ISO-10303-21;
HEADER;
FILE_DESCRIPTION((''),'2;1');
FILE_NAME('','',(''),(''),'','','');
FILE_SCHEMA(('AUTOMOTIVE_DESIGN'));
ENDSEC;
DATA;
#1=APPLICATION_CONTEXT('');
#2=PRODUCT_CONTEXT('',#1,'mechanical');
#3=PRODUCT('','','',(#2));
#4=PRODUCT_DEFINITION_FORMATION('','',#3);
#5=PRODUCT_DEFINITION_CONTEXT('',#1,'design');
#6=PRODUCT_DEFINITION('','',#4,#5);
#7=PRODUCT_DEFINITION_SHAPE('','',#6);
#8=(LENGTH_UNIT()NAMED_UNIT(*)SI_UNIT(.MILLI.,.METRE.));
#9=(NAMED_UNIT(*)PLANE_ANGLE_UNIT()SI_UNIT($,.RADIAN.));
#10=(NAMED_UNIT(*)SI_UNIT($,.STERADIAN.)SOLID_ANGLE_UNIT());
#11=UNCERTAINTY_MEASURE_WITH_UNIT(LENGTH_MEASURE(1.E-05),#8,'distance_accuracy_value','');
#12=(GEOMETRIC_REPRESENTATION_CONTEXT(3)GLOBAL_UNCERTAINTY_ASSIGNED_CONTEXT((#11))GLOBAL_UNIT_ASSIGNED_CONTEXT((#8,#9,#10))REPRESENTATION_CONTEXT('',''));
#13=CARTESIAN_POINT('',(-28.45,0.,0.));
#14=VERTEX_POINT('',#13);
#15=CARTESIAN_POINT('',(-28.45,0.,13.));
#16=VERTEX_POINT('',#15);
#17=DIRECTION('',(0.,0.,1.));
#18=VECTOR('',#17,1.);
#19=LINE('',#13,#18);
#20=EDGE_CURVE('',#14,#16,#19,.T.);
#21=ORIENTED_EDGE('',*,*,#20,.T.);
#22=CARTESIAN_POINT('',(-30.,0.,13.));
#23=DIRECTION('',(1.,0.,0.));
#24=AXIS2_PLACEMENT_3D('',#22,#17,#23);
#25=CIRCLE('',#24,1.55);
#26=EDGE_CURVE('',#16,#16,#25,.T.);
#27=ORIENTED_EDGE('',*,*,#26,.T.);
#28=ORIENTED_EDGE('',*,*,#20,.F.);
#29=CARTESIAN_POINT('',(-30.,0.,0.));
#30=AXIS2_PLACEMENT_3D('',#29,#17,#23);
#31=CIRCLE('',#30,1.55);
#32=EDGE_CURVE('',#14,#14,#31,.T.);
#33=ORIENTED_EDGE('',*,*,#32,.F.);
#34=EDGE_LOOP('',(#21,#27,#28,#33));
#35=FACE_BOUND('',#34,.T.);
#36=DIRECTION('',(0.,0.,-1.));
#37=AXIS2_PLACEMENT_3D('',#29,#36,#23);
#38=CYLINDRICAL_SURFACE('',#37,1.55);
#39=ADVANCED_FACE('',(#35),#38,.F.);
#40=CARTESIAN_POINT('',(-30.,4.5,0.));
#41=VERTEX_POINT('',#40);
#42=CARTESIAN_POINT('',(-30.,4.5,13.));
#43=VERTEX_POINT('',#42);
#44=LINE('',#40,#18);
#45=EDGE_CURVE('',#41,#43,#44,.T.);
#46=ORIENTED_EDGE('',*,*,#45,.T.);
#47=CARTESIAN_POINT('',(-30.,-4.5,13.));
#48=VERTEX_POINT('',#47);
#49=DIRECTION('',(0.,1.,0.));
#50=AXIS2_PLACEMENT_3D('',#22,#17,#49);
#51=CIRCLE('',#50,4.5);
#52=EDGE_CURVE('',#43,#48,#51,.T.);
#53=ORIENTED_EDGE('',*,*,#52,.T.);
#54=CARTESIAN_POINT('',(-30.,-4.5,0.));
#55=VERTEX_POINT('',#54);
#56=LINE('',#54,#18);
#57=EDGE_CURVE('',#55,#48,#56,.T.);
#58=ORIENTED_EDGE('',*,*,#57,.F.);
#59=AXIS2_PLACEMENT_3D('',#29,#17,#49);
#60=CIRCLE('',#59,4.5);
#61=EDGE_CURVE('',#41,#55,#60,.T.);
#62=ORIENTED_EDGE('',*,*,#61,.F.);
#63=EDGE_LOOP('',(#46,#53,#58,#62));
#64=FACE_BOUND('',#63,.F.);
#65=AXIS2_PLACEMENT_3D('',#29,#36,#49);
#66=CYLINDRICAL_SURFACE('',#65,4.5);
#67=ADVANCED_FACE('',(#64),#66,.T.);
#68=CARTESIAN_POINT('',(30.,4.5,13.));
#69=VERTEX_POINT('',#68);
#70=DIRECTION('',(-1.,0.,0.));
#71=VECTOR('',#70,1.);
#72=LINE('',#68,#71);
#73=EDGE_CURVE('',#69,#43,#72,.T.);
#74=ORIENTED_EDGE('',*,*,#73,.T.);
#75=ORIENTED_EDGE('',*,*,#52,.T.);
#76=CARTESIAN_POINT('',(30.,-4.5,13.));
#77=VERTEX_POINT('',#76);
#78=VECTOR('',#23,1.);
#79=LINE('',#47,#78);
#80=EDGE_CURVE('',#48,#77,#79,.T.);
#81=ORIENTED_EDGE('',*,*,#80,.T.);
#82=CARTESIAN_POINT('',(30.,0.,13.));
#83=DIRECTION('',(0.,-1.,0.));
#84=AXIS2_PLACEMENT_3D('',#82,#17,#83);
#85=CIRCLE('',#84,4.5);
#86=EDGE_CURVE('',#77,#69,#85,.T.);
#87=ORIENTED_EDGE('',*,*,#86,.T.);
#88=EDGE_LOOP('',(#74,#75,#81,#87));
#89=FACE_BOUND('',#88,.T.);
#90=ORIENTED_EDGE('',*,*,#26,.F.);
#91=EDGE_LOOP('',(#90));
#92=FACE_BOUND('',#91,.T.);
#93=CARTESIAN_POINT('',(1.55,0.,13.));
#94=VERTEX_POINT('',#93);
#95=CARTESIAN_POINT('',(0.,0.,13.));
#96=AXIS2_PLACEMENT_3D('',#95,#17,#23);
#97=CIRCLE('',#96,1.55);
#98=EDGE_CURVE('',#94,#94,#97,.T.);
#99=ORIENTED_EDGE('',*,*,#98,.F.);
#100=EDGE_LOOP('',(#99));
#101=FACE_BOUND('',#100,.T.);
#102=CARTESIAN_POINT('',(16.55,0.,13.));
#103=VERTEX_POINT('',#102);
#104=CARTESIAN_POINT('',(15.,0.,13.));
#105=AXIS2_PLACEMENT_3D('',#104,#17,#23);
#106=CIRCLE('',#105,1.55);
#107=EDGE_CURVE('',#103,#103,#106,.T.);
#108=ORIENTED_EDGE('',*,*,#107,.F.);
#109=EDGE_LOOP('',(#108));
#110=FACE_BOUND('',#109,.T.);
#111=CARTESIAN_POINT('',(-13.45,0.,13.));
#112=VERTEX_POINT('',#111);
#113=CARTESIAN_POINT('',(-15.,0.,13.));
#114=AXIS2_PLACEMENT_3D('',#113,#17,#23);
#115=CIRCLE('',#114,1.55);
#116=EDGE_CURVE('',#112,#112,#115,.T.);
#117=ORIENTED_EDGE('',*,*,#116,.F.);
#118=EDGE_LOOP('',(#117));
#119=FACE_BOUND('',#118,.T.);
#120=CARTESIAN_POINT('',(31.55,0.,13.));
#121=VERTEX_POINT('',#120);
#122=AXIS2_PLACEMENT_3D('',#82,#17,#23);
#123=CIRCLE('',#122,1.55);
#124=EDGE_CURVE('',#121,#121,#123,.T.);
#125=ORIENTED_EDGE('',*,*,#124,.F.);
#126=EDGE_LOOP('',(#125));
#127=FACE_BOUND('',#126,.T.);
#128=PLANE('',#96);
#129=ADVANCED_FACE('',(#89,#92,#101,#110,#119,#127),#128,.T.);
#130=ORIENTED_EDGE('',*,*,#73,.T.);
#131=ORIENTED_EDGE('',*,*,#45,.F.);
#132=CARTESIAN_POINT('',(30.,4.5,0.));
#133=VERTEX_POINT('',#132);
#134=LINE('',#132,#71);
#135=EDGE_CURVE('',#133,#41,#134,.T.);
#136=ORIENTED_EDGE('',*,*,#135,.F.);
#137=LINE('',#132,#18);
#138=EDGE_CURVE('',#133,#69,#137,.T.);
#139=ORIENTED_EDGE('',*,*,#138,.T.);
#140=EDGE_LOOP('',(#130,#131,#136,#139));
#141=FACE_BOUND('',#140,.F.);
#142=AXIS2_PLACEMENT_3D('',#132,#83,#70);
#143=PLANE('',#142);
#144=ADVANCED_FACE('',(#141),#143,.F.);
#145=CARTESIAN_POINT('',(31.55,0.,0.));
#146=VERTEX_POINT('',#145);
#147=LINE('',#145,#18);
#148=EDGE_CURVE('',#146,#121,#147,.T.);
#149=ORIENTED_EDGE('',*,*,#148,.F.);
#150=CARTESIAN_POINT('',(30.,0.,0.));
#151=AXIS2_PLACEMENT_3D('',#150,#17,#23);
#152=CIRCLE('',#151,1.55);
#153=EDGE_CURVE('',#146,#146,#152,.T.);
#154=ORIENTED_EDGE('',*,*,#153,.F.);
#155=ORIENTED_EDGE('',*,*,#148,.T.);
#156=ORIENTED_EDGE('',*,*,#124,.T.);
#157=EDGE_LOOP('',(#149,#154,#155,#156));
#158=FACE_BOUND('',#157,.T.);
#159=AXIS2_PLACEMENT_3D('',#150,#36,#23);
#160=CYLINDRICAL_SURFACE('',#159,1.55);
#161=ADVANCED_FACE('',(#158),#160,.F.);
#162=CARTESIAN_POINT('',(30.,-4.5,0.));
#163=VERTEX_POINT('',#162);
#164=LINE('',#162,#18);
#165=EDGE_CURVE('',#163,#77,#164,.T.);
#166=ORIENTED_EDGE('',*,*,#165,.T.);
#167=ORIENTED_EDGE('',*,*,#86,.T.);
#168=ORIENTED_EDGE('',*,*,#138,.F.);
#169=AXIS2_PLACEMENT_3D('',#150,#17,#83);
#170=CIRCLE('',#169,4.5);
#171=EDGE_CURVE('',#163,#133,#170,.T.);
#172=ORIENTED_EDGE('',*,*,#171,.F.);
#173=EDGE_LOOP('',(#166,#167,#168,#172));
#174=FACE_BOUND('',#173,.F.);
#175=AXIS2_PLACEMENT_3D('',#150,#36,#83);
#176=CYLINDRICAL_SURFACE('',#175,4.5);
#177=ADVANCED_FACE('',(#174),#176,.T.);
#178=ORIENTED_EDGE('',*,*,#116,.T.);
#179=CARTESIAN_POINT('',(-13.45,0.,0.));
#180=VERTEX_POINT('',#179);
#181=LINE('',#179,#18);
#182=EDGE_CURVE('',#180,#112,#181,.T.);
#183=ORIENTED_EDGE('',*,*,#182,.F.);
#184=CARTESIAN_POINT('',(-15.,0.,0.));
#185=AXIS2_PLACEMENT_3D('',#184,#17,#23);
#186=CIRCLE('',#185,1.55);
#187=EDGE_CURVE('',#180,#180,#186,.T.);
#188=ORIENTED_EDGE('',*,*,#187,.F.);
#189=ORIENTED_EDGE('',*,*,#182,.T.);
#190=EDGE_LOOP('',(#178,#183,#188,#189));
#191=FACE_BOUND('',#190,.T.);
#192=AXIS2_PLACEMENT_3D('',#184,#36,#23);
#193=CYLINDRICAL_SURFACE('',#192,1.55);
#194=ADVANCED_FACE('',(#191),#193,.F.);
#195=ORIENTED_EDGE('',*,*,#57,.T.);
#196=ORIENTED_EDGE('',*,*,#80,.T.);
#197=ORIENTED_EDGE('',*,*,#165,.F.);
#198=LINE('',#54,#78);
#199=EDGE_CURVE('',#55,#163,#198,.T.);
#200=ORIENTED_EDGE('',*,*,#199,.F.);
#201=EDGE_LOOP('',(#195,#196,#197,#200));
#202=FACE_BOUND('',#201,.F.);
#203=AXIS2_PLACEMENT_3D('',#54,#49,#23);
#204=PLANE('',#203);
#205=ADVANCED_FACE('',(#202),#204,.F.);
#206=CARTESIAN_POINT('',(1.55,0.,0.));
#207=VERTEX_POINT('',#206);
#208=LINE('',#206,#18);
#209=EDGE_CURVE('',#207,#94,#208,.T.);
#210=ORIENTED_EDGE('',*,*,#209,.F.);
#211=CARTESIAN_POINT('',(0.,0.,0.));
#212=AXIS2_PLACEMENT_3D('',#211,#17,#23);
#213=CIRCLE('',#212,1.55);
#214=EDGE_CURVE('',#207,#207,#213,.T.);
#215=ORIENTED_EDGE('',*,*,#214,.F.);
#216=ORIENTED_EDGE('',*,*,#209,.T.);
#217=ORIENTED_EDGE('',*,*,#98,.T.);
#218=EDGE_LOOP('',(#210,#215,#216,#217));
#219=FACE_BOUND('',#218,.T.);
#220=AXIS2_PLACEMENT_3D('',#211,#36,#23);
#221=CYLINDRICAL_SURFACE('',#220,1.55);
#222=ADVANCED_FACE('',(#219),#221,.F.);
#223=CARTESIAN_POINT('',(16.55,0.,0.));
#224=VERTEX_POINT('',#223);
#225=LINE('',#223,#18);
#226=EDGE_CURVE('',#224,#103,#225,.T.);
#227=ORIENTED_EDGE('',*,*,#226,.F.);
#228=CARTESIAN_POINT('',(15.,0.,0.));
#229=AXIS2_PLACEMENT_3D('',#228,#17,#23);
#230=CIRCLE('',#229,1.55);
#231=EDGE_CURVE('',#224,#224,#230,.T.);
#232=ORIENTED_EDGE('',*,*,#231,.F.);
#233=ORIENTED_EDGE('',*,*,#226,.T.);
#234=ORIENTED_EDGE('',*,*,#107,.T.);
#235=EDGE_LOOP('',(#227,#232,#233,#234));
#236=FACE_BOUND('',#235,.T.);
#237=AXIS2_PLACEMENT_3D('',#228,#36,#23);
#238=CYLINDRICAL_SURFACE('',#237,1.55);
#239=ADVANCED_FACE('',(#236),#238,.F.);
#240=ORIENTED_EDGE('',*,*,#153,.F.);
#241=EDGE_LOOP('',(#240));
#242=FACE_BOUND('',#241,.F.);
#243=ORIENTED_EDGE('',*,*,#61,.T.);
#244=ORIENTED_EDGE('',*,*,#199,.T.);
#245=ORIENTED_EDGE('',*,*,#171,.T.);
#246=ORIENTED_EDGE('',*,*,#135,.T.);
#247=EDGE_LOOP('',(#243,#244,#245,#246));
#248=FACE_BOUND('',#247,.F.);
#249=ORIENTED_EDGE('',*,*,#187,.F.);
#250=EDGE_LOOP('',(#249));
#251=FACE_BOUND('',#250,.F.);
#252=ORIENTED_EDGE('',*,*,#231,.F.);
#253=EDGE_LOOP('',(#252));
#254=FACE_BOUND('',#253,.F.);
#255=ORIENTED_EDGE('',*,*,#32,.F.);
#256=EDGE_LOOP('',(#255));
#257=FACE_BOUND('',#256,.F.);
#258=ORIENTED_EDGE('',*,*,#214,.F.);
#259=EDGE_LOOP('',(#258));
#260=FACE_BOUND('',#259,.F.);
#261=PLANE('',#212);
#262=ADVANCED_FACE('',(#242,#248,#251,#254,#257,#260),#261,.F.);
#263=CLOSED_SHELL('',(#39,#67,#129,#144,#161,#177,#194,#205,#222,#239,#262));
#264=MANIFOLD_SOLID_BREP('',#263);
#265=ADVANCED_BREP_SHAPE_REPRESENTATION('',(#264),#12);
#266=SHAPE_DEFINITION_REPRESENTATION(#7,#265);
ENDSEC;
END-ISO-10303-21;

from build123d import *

# Parameters (mm, degrees)
SKETCH_R  = 1.55
PAD_DEPTH = 13


with BuildPart() as part:
    # Sketch → Pad (new body)
    with BuildSketch(Plane.XY):
        with BuildLine():
            ThreePointArc((-30, 4.5), (-34.5, 0), (-30, -4.5))
            Line((-30, -4.5), (30, -4.5))
            ThreePointArc((30, -4.5), (34.5, 0), (30, 4.5))
            Line((30, 4.5), (-30, 4.5))
        make_face()
        with Locations((-30, 0)):
            Circle(SKETCH_R, mode=Mode.SUBTRACT)
        with Locations((30, 0)):
            Circle(SKETCH_R, mode=Mode.SUBTRACT)
        Circle(SKETCH_R, mode=Mode.SUBTRACT)
        with Locations((-15, 0)):
            Circle(SKETCH_R, mode=Mode.SUBTRACT)
        with Locations((15, 0)):
            Circle(SKETCH_R, mode=Mode.SUBTRACT)
    extrude(amount=PAD_DEPTH)


solid = part.part
